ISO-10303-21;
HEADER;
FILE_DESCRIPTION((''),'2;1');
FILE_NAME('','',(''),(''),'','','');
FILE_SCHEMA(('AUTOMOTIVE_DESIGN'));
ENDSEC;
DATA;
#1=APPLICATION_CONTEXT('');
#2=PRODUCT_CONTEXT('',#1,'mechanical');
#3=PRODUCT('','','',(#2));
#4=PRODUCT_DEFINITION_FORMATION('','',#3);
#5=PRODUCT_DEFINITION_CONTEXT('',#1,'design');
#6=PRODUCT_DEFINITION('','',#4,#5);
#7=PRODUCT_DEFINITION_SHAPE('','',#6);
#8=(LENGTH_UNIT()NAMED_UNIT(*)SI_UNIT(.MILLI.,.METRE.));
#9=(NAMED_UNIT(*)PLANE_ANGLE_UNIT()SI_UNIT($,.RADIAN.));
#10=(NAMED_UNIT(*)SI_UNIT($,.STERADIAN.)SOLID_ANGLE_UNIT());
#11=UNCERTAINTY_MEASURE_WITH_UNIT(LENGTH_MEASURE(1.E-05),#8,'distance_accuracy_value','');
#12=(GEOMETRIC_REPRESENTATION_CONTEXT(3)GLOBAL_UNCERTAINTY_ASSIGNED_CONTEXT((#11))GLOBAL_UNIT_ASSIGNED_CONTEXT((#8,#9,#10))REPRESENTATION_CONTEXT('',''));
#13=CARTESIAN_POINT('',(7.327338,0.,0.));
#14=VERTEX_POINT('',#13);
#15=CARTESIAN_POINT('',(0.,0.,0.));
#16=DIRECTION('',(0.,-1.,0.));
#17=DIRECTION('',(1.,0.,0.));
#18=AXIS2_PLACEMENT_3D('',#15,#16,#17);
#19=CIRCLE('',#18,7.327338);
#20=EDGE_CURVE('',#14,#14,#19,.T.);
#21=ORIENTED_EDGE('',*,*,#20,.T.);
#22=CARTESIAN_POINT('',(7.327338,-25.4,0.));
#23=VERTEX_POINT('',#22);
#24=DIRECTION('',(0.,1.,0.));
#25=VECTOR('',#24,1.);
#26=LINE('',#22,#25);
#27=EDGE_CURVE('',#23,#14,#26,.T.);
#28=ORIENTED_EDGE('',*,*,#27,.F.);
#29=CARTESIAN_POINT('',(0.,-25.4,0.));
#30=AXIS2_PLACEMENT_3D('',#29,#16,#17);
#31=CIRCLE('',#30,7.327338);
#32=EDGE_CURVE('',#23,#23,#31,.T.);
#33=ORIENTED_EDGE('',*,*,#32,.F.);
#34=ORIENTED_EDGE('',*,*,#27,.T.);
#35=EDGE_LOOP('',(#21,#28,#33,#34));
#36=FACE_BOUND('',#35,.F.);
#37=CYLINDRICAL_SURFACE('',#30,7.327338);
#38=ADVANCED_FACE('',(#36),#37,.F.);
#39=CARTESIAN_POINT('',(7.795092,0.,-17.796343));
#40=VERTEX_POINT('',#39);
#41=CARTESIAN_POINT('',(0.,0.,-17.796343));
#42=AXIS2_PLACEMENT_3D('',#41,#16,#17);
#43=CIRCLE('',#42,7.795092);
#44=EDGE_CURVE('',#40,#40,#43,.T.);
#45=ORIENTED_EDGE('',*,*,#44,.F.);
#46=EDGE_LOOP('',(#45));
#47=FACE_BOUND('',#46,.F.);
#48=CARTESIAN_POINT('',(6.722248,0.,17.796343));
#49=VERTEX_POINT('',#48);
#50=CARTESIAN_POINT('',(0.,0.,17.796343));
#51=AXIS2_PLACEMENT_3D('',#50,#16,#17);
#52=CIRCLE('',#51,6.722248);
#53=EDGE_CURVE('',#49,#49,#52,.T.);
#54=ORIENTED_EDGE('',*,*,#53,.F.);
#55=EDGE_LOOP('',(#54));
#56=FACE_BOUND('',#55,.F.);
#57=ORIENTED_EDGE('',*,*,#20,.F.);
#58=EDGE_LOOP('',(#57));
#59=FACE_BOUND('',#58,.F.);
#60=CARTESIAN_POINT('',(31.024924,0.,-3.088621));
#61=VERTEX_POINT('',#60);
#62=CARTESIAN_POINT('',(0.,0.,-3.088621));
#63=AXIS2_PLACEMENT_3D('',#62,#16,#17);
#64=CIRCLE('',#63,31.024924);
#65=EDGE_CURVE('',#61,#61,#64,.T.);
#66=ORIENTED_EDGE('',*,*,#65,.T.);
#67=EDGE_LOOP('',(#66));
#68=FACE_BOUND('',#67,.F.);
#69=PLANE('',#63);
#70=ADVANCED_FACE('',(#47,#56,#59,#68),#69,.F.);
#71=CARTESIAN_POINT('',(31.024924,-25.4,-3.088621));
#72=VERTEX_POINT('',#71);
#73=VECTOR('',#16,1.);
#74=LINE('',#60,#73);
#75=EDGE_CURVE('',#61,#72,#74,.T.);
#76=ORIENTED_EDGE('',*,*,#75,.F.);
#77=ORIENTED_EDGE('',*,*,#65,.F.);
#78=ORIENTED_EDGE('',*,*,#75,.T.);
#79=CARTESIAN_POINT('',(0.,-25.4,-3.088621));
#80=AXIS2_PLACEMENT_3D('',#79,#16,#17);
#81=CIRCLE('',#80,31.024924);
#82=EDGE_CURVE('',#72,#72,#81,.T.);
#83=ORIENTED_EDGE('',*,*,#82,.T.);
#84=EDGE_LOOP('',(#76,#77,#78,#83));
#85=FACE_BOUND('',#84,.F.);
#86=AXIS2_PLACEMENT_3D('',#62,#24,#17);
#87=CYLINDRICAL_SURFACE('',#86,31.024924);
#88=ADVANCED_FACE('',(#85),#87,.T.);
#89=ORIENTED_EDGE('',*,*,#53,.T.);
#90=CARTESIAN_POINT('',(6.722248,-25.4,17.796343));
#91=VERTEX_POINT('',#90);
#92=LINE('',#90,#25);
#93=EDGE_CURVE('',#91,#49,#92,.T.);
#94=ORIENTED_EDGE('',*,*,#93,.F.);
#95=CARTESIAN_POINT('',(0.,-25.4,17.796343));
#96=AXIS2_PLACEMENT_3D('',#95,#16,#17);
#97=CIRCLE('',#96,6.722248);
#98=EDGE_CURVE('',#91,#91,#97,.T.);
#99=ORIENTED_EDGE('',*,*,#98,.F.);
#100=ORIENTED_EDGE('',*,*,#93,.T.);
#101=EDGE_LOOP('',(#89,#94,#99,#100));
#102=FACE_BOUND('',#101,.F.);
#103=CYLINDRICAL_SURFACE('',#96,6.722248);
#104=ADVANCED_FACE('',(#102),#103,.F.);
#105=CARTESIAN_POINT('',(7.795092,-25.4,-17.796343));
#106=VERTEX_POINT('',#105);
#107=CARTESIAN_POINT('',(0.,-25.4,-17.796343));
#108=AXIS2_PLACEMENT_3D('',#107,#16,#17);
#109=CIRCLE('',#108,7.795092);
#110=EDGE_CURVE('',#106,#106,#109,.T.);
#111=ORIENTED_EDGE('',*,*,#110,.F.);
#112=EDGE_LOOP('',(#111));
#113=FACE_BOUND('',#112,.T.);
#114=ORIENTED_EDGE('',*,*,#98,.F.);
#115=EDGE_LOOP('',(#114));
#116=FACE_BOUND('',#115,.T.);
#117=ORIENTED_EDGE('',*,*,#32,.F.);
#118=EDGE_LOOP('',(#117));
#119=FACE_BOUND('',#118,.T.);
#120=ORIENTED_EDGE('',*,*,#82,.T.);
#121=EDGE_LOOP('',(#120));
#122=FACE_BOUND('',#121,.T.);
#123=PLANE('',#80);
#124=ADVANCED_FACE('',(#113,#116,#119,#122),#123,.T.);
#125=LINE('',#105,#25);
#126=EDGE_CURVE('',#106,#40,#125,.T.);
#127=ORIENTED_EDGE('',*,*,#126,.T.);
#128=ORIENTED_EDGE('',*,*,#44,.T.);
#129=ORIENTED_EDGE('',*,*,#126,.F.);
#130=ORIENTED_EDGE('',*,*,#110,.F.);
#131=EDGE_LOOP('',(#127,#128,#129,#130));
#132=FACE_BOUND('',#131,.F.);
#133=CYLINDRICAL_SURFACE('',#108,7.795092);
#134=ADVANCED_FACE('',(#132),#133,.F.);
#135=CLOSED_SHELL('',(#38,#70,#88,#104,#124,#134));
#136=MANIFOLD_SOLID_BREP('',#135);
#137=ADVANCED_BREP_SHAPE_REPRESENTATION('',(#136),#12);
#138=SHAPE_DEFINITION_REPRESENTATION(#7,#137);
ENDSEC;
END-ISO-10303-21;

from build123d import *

# Parameters (mm, degrees)
F0_R     = 31.024924
F1_DEPTH = 25.4
F2_R     = 7.327338
F2_R_2   = 7.795092
F2_R_3   = 6.722248
F3_DEPTH = 25.401


with BuildPart() as f1:
    # F0 (on Front) → F1 (new body)
    with BuildSketch(Plane.XZ):
        with Locations((0, -3.088621)):
            Circle(F0_R)
    extrude(amount=F1_DEPTH)

    # F2 (on face) → F3 (cut, through all)
    with BuildSketch(Plane.XZ.offset(25.4)):
        Circle(F2_R)
        with Locations((0, -17.796343)):
            Circle(F2_R_2)
        with Locations((0, 17.796343)):
            Circle(F2_R_3)
    extrude(amount=-F3_DEPTH, mode=Mode.SUBTRACT)


solid = f1.part
